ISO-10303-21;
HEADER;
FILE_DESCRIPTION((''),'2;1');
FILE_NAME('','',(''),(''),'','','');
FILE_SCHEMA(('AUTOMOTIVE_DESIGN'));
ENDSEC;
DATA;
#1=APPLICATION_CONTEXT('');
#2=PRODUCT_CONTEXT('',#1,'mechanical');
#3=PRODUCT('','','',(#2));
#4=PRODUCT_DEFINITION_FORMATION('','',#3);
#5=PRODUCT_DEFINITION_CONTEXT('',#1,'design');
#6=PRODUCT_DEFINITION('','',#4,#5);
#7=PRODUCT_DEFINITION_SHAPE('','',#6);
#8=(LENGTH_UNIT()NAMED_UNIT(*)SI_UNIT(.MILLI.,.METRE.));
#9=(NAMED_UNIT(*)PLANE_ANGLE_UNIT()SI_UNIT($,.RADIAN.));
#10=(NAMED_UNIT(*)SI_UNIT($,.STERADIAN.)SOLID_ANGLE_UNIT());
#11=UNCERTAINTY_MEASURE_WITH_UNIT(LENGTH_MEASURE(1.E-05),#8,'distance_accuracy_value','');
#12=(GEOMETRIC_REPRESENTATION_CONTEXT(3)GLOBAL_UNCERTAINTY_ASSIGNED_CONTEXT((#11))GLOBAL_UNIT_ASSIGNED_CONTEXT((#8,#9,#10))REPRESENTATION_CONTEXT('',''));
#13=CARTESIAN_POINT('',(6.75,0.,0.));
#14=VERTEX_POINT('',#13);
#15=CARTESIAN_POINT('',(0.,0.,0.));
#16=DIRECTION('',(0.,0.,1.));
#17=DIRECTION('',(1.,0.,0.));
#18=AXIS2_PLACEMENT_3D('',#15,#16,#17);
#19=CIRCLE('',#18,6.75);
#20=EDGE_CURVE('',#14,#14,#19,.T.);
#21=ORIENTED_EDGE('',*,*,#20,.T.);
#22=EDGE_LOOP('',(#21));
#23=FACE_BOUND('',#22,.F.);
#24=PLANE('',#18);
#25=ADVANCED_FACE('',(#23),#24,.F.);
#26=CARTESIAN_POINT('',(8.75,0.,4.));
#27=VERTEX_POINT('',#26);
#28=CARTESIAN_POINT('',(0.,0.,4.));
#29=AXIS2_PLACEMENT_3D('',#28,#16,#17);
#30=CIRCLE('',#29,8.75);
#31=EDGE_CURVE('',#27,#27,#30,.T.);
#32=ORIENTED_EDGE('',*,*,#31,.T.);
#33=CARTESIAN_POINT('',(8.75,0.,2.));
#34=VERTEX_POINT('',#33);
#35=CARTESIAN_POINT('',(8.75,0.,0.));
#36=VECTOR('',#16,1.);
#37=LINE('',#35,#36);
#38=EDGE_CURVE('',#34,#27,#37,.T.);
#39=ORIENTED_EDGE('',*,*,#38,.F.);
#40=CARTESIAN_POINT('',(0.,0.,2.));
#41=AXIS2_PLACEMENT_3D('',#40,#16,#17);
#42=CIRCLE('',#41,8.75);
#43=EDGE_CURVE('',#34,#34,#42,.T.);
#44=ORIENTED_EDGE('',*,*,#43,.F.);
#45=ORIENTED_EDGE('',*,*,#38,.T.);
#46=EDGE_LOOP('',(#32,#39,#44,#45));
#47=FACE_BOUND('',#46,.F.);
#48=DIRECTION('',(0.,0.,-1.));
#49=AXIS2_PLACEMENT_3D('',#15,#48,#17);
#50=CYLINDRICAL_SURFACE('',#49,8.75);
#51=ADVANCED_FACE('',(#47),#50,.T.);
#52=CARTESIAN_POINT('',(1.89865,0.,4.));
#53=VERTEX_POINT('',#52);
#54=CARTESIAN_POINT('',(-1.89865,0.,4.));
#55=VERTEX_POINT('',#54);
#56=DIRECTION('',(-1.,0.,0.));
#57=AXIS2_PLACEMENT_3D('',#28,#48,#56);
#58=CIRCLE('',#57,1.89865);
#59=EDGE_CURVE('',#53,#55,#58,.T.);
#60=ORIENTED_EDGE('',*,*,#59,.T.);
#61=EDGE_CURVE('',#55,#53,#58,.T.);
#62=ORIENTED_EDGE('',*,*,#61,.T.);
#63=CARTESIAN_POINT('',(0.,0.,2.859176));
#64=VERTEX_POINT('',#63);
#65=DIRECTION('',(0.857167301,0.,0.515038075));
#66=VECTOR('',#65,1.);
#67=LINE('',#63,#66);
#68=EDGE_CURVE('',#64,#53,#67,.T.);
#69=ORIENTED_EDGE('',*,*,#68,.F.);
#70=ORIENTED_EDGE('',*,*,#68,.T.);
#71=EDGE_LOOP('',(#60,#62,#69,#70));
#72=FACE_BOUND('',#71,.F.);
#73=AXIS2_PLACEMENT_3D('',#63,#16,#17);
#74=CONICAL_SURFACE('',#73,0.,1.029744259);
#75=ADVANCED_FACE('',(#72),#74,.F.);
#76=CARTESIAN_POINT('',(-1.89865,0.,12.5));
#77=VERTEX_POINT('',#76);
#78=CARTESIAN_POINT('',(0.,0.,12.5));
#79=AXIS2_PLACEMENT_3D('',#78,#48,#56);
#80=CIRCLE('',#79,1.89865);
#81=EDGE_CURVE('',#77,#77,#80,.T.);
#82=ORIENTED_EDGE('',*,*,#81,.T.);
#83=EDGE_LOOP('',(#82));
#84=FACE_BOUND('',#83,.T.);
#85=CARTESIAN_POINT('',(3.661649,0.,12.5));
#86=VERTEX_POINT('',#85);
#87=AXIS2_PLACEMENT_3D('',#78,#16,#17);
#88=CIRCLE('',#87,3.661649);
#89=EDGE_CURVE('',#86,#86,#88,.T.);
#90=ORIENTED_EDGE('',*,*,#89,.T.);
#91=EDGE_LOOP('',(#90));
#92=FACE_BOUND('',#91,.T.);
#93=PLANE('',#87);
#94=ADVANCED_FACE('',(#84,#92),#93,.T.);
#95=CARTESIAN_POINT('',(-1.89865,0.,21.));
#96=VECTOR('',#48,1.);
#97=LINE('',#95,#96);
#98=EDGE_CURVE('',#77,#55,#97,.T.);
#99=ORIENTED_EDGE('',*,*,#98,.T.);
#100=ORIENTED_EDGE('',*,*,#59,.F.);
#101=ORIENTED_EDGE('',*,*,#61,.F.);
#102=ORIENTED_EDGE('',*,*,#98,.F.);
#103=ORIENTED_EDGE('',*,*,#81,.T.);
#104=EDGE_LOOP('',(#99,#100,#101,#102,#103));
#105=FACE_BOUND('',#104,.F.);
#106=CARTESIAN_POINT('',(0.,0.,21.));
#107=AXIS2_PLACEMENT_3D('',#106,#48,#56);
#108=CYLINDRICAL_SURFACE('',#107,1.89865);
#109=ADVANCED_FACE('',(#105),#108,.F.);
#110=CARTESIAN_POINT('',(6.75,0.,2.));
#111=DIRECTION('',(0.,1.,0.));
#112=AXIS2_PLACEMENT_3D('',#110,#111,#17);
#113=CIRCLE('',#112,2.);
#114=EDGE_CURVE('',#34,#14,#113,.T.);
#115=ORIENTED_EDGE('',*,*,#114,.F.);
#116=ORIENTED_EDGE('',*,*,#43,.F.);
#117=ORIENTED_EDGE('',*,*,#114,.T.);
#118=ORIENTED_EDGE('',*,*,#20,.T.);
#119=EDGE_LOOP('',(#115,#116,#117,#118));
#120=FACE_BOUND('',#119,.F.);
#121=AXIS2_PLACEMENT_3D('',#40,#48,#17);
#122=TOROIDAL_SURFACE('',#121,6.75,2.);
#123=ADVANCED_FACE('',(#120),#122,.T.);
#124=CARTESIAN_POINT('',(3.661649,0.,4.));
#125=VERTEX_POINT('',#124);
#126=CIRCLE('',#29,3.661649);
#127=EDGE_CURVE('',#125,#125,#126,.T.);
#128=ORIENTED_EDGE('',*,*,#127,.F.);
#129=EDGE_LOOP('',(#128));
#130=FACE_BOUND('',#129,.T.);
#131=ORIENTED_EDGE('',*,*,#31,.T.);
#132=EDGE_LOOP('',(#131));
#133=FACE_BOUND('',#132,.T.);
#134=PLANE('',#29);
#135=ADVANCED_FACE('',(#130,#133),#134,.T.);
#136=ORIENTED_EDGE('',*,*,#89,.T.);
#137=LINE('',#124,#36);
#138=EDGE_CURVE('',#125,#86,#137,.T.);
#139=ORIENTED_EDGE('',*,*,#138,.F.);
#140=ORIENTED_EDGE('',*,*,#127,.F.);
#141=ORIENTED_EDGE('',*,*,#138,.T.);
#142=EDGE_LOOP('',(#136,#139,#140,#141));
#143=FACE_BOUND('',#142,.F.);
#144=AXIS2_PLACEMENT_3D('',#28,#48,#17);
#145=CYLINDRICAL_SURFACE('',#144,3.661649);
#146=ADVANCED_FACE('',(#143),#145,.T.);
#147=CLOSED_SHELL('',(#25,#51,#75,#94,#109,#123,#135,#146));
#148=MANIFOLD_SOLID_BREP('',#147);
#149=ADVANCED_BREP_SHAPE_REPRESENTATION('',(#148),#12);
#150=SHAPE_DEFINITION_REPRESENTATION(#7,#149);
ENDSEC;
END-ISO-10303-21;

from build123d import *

# Parameters (mm, degrees)
F0_R     = 8.75
F1_DEPTH = 4
F2_R     = 3.6616494724
F3_DEPTH = 8.5
F5_D     = 3.7973
F5_DEPTH = 8.5
F5_TIP   = 1.1408240143
F6_R     = 2


with BuildPart() as f1:
    # F0 (on Top) → F1 (new body)
    with BuildSketch(Plane.XY):
        Circle(F0_R)
    extrude(amount=F1_DEPTH)

    # F2 (on face) → F3 (join)
    with BuildSketch(Plane.XY.offset(4)):
        Circle(F2_R)
    extrude(amount=F3_DEPTH)

    # F5
    with Locations(Plane.XY.offset(12.5)):
        with Locations((0, 0)):
            Hole(F5_D / 2, depth=F5_DEPTH)
            with Locations((0, 0, -(F5_DEPTH + F5_TIP / 2))):  # 118° drill point
                Cone(0, F5_D / 2, F5_TIP, mode=Mode.SUBTRACT)

    # F6
    f6_edges = [f1.edges().sort_by_distance(p)[0] for p in [
        (-8.75, 0, 0),
    ]]
    fillet(f6_edges, radius=F6_R)


solid = f1.part
